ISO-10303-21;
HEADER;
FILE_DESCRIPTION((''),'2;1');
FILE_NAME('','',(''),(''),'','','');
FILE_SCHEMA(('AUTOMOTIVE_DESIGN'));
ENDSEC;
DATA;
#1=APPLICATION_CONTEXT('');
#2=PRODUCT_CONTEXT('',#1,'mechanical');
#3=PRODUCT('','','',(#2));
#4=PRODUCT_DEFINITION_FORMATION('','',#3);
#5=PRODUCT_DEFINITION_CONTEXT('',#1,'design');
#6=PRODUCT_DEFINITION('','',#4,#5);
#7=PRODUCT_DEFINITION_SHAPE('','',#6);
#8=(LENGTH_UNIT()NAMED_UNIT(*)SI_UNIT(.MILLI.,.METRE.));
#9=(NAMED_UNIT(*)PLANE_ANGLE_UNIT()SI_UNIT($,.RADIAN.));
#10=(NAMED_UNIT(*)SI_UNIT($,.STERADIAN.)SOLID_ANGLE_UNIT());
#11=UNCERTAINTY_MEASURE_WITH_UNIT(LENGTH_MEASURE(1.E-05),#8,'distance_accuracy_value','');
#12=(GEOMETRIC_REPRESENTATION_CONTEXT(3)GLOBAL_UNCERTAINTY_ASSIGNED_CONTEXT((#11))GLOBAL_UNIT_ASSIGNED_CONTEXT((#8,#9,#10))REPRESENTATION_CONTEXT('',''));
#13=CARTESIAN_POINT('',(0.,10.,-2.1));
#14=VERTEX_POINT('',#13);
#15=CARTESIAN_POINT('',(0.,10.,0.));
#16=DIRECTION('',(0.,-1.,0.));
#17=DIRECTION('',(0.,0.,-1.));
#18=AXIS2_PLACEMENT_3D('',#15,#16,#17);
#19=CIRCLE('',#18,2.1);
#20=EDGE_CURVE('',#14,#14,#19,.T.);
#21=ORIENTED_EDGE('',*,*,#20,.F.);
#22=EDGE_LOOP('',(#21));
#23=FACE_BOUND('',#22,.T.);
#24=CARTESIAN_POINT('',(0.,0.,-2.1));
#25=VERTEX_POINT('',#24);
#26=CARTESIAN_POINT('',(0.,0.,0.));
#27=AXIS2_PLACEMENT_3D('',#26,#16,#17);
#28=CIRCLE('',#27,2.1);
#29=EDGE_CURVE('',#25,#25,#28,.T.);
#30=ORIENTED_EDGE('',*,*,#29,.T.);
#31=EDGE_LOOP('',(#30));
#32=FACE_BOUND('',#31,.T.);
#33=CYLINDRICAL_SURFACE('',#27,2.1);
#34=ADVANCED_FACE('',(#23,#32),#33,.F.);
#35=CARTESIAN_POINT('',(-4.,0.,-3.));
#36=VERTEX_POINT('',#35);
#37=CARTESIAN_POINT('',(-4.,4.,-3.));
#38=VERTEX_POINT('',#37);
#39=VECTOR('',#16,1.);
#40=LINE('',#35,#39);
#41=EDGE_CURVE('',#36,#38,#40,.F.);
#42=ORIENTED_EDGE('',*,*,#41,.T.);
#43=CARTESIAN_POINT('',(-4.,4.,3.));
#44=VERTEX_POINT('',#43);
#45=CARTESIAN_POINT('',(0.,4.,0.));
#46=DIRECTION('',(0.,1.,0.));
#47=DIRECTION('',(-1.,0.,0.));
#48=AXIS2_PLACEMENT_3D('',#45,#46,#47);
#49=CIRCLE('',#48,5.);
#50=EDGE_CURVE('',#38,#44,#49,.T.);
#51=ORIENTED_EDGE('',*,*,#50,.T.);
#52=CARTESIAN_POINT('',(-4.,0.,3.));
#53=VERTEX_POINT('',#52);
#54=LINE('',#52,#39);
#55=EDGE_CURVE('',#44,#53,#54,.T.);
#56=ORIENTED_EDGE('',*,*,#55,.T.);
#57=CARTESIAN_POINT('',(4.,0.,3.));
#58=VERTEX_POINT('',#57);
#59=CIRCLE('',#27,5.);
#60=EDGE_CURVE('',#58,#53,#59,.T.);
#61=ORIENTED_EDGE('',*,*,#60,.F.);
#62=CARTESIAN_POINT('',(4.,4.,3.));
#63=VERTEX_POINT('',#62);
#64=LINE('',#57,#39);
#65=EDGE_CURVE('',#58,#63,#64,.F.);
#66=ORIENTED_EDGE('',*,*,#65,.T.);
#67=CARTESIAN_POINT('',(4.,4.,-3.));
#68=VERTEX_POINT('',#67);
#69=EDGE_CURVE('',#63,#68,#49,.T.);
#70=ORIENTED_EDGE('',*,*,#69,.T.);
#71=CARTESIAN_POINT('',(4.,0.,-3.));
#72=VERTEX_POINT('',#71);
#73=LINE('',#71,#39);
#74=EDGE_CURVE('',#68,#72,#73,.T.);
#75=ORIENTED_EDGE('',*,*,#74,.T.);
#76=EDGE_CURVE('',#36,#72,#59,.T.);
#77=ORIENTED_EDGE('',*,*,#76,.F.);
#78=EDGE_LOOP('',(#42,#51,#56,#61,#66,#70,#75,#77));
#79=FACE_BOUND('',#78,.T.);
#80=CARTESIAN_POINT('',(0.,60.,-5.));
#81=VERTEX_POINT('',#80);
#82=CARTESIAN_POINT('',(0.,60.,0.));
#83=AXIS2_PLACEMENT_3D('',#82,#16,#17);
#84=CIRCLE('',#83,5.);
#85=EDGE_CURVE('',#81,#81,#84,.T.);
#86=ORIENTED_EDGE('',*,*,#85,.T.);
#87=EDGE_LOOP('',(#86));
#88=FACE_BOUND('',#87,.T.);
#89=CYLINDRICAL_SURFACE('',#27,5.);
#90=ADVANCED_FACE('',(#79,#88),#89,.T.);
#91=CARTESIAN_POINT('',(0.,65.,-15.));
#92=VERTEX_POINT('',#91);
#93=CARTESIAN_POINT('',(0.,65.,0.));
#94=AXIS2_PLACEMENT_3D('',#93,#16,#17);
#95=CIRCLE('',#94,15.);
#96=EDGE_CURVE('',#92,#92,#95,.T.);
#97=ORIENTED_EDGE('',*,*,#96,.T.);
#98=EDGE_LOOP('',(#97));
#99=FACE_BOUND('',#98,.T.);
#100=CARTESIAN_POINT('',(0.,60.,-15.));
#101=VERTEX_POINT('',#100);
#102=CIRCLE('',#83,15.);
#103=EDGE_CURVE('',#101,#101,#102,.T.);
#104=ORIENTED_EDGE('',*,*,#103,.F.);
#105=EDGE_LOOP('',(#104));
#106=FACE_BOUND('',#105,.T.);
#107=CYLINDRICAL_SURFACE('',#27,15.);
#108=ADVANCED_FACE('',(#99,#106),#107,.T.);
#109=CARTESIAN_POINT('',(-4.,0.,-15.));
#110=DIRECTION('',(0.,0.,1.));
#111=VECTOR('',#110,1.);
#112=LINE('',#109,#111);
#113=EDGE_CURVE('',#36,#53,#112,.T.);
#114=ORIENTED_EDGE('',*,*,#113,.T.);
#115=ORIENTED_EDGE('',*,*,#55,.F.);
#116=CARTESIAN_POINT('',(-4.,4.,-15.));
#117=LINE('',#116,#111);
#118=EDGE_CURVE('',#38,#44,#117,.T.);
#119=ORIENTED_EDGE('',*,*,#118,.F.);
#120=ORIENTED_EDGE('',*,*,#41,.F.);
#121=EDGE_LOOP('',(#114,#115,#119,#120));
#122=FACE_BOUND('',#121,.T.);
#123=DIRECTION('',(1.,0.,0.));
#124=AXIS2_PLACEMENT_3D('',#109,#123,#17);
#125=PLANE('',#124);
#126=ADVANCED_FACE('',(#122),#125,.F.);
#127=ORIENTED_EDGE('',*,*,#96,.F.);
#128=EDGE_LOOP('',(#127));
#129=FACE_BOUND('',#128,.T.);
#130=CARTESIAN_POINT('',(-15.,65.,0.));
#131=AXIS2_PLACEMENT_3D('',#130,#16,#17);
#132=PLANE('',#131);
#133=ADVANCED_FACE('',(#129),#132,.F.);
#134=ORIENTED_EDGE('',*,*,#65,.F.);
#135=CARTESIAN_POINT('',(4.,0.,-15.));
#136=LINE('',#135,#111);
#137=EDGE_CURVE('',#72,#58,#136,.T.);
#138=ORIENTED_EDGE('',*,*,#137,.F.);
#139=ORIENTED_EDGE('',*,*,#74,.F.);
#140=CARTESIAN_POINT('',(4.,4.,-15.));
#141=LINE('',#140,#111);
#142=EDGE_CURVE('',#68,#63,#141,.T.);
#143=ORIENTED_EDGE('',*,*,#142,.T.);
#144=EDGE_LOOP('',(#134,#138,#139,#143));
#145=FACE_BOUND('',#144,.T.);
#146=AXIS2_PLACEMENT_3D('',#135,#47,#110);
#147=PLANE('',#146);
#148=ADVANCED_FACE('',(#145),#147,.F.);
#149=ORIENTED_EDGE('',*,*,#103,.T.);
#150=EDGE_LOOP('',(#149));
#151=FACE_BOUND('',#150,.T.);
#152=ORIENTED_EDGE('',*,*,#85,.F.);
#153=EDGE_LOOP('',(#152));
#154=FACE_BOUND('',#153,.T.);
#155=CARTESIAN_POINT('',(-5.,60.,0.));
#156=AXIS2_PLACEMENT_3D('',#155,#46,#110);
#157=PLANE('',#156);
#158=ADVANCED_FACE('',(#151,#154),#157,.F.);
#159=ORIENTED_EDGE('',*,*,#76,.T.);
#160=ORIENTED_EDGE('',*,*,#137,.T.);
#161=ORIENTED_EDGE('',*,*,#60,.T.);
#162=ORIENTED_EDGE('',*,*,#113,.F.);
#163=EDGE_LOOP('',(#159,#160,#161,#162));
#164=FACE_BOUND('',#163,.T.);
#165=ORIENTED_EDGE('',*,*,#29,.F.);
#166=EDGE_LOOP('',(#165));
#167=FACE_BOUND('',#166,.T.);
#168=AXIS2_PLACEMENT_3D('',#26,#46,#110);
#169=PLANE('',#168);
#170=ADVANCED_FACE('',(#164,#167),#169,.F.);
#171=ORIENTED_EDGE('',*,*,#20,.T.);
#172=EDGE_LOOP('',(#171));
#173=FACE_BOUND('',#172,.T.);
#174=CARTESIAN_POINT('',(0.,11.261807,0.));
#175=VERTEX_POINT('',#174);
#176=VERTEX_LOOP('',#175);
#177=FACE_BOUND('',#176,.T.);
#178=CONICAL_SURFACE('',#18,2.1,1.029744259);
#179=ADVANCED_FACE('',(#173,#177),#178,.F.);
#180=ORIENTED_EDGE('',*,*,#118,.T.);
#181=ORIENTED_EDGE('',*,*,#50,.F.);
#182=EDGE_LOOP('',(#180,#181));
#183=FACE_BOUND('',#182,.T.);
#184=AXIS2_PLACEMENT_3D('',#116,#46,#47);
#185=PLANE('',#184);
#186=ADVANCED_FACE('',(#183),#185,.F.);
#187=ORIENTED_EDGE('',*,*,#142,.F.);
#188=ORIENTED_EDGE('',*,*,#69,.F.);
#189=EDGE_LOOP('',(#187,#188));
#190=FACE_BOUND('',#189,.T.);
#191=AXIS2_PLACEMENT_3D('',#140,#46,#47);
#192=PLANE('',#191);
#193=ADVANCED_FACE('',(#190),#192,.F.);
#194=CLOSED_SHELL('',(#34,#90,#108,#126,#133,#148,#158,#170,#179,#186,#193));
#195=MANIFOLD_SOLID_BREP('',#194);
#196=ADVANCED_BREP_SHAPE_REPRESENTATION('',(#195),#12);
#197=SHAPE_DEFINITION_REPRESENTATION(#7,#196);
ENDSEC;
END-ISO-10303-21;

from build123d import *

# Parameters (mm, degrees)
BROCA_DE_ROSQUEAR_PARA_TARRAXA_DE_M51_D     = 4.2
BROCA_DE_ROSQUEAR_PARA_TARRAXA_DE_M51_DEPTH = 10
BROCA_DE_ROSQUEAR_PARA_TARRAXA_DE_M51_TIP   = 1.2618073
CORTE_EXTRUS_O1_DEPTH                       = 69.373971656
CORTE_EXTRUS_O1_DEPTH_BACK                  = 69.373971656
ESBO_O8_W                                   = 1
ESBO_O8_H                                   = 4


with BuildPart() as part:
    # Esboço1 → Revolução1 (revolve)
    with BuildSketch(Plane.XY, mode=Mode.PRIVATE) as revolu_o1_sk:
        Polygon((0, 0), (-5, 0), (-5, 60), (-15, 60), (-15, 65), (0, 65), align=None)
    revolve(revolu_o1_sk.sketch.rotate(Axis((0, 0, 0), (0, 1, 0)), 270), axis=Axis((0, 0, 0), (0, 1, 0)))

    # Broca de rosquear para tarraxa de M51
    with Locations(Plane(origin=(0, 0, 0), x_dir=(-1, 0, 0), z_dir=(0, -1, 0))):
        with Locations((0, 0)):
            Hole(BROCA_DE_ROSQUEAR_PARA_TARRAXA_DE_M51_D / 2, depth=BROCA_DE_ROSQUEAR_PARA_TARRAXA_DE_M51_DEPTH)
            with Locations((0, 0, -(BROCA_DE_ROSQUEAR_PARA_TARRAXA_DE_M51_DEPTH + BROCA_DE_ROSQUEAR_PARA_TARRAXA_DE_M51_TIP / 2))):  # 118° drill point
                Cone(0, BROCA_DE_ROSQUEAR_PARA_TARRAXA_DE_M51_D / 2, BROCA_DE_ROSQUEAR_PARA_TARRAXA_DE_M51_TIP, mode=Mode.SUBTRACT)

    # Esboço8 → Corte-extrusão1 (cut, two sides: drawn at the far end of the back side and taken through both)
    with BuildSketch(Plane.XY.offset(-CORTE_EXTRUS_O1_DEPTH_BACK)):
        with Locations((4.5, 2)):
            Rectangle(ESBO_O8_W, ESBO_O8_H)
        with Locations((-4.5, 2)):
            Rectangle(ESBO_O8_W, ESBO_O8_H)
    extrude(amount=CORTE_EXTRUS_O1_DEPTH + CORTE_EXTRUS_O1_DEPTH_BACK, mode=Mode.SUBTRACT)


solid = part.part
